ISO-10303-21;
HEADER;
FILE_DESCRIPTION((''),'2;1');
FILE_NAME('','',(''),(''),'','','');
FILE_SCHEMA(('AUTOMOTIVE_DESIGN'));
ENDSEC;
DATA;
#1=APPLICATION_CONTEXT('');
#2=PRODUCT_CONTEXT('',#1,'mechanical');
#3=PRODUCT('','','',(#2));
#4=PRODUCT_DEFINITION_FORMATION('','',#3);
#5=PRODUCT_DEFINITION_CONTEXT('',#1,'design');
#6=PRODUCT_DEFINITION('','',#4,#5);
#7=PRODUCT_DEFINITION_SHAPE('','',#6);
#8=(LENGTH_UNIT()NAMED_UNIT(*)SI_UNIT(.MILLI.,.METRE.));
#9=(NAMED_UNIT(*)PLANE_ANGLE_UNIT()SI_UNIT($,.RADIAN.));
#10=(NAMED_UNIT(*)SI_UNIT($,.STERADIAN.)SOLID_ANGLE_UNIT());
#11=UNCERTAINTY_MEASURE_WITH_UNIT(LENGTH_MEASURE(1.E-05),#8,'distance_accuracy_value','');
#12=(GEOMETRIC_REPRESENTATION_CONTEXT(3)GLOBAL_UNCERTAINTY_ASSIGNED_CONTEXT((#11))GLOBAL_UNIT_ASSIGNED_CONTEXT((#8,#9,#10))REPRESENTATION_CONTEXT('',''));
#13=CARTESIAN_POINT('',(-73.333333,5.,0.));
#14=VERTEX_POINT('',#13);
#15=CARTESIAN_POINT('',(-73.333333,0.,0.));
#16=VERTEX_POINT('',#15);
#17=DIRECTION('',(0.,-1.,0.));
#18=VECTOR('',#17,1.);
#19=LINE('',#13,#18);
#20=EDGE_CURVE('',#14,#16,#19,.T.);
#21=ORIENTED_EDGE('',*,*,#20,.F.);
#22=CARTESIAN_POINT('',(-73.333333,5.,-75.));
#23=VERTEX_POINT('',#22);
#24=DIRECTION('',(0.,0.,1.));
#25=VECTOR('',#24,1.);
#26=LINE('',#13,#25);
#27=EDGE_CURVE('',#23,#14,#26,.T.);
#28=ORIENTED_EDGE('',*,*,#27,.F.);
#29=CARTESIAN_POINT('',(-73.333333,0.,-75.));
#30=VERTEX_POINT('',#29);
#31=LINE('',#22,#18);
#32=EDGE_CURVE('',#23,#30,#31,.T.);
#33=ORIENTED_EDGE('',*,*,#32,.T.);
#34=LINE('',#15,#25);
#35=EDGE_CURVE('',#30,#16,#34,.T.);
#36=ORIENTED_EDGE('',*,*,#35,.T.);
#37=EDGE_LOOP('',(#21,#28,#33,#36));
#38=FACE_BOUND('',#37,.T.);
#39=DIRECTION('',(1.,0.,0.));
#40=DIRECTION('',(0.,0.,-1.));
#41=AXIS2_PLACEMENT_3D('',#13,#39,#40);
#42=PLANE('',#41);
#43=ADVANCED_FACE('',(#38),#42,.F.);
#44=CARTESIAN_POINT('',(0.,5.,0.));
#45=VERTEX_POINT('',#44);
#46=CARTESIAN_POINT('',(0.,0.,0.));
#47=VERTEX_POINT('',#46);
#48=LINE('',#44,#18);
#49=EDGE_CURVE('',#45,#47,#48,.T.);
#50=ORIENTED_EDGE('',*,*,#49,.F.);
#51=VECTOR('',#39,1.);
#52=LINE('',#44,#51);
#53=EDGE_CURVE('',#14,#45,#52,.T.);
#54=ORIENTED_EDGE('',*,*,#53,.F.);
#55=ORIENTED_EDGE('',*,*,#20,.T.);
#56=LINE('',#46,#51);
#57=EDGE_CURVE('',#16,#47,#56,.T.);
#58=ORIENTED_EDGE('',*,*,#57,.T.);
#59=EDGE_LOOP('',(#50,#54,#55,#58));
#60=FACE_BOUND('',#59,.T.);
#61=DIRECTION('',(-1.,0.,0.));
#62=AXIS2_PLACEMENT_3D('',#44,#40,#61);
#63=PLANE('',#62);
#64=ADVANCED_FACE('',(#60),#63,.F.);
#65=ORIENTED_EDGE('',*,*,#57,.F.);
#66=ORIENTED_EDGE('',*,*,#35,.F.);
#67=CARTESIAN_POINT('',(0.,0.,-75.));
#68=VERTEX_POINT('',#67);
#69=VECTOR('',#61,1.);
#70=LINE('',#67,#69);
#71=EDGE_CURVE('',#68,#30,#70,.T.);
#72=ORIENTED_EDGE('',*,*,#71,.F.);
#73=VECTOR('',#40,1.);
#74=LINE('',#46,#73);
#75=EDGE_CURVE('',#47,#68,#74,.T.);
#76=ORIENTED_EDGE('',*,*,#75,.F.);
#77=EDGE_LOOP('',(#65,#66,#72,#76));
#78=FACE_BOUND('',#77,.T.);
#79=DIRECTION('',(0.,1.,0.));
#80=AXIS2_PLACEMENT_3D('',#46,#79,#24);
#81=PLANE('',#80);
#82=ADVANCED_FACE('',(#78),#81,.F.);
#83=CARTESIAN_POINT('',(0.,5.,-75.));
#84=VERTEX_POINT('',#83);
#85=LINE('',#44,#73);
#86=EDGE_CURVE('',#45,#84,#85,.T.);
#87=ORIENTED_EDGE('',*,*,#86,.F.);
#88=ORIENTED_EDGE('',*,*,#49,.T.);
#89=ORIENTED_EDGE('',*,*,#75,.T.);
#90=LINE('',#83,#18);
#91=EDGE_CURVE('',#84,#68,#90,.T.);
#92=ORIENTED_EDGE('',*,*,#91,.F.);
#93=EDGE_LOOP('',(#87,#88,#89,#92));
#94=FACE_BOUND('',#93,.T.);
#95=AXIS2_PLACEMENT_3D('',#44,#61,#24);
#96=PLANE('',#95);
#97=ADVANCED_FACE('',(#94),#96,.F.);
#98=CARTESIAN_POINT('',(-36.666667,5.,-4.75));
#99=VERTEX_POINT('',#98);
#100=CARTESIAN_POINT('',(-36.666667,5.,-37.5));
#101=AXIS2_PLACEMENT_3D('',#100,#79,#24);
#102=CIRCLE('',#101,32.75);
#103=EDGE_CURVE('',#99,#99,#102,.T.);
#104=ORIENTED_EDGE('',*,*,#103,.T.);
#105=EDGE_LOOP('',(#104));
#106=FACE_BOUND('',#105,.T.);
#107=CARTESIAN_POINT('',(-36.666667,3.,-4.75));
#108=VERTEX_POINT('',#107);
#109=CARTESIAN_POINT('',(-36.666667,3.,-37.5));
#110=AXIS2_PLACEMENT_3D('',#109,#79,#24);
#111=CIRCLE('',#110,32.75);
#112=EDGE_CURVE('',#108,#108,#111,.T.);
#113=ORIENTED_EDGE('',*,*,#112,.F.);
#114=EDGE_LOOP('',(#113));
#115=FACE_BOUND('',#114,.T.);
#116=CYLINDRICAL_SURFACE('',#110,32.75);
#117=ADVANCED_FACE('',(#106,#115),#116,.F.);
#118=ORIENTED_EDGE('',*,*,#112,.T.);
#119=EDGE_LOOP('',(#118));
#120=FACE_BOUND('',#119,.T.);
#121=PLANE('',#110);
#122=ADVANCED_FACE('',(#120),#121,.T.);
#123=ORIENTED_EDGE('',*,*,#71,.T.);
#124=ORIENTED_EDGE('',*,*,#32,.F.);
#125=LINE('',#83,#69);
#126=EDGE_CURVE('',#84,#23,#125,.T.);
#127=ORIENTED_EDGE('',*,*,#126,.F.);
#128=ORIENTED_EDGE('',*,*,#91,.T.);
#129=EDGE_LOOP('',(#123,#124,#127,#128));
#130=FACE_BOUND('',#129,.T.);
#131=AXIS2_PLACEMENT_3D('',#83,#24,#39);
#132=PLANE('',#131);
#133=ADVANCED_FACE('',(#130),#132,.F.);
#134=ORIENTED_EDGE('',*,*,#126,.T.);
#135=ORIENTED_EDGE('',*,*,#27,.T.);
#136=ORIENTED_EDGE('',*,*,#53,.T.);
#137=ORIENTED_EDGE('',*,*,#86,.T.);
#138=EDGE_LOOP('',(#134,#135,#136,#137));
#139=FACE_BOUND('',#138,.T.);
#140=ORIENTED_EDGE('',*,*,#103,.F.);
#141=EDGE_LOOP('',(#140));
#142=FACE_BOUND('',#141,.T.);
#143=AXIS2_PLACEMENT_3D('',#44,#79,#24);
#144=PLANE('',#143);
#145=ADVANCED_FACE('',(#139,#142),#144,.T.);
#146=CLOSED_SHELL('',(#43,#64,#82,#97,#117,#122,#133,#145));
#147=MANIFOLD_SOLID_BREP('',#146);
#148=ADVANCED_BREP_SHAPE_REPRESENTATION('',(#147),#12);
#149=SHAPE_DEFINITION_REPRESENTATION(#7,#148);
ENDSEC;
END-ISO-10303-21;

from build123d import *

# Parameters (mm, degrees)
SKETCH1_W           = 73.333333333
SKETCH1_H           = 75
BOSS_EXTRUDE1_DEPTH = 5
SKETCH2_R           = 32.75
CUT_EXTRUDE1_DEPTH  = 2


with BuildPart() as part:
    # Sketch1 → Boss-Extrude1 (new body)
    with BuildSketch(Plane(origin=(0, 0, 0), x_dir=(1, 0, 0), z_dir=(0, 1, 0))):
        with Locations((-36.666666666, 37.5)):
            Rectangle(SKETCH1_W, SKETCH1_H)
    extrude(amount=BOSS_EXTRUDE1_DEPTH)

    # Sketch2 → Cut-Extrude1 (cut)
    with BuildSketch(Plane(origin=(0, 5, 0), x_dir=(1, 0, 0), z_dir=(0, 1, 0))):
        with Locations((-36.666666667, 37.5)):
            Circle(SKETCH2_R)
    extrude(amount=-CUT_EXTRUDE1_DEPTH, mode=Mode.SUBTRACT)


solid = part.part
